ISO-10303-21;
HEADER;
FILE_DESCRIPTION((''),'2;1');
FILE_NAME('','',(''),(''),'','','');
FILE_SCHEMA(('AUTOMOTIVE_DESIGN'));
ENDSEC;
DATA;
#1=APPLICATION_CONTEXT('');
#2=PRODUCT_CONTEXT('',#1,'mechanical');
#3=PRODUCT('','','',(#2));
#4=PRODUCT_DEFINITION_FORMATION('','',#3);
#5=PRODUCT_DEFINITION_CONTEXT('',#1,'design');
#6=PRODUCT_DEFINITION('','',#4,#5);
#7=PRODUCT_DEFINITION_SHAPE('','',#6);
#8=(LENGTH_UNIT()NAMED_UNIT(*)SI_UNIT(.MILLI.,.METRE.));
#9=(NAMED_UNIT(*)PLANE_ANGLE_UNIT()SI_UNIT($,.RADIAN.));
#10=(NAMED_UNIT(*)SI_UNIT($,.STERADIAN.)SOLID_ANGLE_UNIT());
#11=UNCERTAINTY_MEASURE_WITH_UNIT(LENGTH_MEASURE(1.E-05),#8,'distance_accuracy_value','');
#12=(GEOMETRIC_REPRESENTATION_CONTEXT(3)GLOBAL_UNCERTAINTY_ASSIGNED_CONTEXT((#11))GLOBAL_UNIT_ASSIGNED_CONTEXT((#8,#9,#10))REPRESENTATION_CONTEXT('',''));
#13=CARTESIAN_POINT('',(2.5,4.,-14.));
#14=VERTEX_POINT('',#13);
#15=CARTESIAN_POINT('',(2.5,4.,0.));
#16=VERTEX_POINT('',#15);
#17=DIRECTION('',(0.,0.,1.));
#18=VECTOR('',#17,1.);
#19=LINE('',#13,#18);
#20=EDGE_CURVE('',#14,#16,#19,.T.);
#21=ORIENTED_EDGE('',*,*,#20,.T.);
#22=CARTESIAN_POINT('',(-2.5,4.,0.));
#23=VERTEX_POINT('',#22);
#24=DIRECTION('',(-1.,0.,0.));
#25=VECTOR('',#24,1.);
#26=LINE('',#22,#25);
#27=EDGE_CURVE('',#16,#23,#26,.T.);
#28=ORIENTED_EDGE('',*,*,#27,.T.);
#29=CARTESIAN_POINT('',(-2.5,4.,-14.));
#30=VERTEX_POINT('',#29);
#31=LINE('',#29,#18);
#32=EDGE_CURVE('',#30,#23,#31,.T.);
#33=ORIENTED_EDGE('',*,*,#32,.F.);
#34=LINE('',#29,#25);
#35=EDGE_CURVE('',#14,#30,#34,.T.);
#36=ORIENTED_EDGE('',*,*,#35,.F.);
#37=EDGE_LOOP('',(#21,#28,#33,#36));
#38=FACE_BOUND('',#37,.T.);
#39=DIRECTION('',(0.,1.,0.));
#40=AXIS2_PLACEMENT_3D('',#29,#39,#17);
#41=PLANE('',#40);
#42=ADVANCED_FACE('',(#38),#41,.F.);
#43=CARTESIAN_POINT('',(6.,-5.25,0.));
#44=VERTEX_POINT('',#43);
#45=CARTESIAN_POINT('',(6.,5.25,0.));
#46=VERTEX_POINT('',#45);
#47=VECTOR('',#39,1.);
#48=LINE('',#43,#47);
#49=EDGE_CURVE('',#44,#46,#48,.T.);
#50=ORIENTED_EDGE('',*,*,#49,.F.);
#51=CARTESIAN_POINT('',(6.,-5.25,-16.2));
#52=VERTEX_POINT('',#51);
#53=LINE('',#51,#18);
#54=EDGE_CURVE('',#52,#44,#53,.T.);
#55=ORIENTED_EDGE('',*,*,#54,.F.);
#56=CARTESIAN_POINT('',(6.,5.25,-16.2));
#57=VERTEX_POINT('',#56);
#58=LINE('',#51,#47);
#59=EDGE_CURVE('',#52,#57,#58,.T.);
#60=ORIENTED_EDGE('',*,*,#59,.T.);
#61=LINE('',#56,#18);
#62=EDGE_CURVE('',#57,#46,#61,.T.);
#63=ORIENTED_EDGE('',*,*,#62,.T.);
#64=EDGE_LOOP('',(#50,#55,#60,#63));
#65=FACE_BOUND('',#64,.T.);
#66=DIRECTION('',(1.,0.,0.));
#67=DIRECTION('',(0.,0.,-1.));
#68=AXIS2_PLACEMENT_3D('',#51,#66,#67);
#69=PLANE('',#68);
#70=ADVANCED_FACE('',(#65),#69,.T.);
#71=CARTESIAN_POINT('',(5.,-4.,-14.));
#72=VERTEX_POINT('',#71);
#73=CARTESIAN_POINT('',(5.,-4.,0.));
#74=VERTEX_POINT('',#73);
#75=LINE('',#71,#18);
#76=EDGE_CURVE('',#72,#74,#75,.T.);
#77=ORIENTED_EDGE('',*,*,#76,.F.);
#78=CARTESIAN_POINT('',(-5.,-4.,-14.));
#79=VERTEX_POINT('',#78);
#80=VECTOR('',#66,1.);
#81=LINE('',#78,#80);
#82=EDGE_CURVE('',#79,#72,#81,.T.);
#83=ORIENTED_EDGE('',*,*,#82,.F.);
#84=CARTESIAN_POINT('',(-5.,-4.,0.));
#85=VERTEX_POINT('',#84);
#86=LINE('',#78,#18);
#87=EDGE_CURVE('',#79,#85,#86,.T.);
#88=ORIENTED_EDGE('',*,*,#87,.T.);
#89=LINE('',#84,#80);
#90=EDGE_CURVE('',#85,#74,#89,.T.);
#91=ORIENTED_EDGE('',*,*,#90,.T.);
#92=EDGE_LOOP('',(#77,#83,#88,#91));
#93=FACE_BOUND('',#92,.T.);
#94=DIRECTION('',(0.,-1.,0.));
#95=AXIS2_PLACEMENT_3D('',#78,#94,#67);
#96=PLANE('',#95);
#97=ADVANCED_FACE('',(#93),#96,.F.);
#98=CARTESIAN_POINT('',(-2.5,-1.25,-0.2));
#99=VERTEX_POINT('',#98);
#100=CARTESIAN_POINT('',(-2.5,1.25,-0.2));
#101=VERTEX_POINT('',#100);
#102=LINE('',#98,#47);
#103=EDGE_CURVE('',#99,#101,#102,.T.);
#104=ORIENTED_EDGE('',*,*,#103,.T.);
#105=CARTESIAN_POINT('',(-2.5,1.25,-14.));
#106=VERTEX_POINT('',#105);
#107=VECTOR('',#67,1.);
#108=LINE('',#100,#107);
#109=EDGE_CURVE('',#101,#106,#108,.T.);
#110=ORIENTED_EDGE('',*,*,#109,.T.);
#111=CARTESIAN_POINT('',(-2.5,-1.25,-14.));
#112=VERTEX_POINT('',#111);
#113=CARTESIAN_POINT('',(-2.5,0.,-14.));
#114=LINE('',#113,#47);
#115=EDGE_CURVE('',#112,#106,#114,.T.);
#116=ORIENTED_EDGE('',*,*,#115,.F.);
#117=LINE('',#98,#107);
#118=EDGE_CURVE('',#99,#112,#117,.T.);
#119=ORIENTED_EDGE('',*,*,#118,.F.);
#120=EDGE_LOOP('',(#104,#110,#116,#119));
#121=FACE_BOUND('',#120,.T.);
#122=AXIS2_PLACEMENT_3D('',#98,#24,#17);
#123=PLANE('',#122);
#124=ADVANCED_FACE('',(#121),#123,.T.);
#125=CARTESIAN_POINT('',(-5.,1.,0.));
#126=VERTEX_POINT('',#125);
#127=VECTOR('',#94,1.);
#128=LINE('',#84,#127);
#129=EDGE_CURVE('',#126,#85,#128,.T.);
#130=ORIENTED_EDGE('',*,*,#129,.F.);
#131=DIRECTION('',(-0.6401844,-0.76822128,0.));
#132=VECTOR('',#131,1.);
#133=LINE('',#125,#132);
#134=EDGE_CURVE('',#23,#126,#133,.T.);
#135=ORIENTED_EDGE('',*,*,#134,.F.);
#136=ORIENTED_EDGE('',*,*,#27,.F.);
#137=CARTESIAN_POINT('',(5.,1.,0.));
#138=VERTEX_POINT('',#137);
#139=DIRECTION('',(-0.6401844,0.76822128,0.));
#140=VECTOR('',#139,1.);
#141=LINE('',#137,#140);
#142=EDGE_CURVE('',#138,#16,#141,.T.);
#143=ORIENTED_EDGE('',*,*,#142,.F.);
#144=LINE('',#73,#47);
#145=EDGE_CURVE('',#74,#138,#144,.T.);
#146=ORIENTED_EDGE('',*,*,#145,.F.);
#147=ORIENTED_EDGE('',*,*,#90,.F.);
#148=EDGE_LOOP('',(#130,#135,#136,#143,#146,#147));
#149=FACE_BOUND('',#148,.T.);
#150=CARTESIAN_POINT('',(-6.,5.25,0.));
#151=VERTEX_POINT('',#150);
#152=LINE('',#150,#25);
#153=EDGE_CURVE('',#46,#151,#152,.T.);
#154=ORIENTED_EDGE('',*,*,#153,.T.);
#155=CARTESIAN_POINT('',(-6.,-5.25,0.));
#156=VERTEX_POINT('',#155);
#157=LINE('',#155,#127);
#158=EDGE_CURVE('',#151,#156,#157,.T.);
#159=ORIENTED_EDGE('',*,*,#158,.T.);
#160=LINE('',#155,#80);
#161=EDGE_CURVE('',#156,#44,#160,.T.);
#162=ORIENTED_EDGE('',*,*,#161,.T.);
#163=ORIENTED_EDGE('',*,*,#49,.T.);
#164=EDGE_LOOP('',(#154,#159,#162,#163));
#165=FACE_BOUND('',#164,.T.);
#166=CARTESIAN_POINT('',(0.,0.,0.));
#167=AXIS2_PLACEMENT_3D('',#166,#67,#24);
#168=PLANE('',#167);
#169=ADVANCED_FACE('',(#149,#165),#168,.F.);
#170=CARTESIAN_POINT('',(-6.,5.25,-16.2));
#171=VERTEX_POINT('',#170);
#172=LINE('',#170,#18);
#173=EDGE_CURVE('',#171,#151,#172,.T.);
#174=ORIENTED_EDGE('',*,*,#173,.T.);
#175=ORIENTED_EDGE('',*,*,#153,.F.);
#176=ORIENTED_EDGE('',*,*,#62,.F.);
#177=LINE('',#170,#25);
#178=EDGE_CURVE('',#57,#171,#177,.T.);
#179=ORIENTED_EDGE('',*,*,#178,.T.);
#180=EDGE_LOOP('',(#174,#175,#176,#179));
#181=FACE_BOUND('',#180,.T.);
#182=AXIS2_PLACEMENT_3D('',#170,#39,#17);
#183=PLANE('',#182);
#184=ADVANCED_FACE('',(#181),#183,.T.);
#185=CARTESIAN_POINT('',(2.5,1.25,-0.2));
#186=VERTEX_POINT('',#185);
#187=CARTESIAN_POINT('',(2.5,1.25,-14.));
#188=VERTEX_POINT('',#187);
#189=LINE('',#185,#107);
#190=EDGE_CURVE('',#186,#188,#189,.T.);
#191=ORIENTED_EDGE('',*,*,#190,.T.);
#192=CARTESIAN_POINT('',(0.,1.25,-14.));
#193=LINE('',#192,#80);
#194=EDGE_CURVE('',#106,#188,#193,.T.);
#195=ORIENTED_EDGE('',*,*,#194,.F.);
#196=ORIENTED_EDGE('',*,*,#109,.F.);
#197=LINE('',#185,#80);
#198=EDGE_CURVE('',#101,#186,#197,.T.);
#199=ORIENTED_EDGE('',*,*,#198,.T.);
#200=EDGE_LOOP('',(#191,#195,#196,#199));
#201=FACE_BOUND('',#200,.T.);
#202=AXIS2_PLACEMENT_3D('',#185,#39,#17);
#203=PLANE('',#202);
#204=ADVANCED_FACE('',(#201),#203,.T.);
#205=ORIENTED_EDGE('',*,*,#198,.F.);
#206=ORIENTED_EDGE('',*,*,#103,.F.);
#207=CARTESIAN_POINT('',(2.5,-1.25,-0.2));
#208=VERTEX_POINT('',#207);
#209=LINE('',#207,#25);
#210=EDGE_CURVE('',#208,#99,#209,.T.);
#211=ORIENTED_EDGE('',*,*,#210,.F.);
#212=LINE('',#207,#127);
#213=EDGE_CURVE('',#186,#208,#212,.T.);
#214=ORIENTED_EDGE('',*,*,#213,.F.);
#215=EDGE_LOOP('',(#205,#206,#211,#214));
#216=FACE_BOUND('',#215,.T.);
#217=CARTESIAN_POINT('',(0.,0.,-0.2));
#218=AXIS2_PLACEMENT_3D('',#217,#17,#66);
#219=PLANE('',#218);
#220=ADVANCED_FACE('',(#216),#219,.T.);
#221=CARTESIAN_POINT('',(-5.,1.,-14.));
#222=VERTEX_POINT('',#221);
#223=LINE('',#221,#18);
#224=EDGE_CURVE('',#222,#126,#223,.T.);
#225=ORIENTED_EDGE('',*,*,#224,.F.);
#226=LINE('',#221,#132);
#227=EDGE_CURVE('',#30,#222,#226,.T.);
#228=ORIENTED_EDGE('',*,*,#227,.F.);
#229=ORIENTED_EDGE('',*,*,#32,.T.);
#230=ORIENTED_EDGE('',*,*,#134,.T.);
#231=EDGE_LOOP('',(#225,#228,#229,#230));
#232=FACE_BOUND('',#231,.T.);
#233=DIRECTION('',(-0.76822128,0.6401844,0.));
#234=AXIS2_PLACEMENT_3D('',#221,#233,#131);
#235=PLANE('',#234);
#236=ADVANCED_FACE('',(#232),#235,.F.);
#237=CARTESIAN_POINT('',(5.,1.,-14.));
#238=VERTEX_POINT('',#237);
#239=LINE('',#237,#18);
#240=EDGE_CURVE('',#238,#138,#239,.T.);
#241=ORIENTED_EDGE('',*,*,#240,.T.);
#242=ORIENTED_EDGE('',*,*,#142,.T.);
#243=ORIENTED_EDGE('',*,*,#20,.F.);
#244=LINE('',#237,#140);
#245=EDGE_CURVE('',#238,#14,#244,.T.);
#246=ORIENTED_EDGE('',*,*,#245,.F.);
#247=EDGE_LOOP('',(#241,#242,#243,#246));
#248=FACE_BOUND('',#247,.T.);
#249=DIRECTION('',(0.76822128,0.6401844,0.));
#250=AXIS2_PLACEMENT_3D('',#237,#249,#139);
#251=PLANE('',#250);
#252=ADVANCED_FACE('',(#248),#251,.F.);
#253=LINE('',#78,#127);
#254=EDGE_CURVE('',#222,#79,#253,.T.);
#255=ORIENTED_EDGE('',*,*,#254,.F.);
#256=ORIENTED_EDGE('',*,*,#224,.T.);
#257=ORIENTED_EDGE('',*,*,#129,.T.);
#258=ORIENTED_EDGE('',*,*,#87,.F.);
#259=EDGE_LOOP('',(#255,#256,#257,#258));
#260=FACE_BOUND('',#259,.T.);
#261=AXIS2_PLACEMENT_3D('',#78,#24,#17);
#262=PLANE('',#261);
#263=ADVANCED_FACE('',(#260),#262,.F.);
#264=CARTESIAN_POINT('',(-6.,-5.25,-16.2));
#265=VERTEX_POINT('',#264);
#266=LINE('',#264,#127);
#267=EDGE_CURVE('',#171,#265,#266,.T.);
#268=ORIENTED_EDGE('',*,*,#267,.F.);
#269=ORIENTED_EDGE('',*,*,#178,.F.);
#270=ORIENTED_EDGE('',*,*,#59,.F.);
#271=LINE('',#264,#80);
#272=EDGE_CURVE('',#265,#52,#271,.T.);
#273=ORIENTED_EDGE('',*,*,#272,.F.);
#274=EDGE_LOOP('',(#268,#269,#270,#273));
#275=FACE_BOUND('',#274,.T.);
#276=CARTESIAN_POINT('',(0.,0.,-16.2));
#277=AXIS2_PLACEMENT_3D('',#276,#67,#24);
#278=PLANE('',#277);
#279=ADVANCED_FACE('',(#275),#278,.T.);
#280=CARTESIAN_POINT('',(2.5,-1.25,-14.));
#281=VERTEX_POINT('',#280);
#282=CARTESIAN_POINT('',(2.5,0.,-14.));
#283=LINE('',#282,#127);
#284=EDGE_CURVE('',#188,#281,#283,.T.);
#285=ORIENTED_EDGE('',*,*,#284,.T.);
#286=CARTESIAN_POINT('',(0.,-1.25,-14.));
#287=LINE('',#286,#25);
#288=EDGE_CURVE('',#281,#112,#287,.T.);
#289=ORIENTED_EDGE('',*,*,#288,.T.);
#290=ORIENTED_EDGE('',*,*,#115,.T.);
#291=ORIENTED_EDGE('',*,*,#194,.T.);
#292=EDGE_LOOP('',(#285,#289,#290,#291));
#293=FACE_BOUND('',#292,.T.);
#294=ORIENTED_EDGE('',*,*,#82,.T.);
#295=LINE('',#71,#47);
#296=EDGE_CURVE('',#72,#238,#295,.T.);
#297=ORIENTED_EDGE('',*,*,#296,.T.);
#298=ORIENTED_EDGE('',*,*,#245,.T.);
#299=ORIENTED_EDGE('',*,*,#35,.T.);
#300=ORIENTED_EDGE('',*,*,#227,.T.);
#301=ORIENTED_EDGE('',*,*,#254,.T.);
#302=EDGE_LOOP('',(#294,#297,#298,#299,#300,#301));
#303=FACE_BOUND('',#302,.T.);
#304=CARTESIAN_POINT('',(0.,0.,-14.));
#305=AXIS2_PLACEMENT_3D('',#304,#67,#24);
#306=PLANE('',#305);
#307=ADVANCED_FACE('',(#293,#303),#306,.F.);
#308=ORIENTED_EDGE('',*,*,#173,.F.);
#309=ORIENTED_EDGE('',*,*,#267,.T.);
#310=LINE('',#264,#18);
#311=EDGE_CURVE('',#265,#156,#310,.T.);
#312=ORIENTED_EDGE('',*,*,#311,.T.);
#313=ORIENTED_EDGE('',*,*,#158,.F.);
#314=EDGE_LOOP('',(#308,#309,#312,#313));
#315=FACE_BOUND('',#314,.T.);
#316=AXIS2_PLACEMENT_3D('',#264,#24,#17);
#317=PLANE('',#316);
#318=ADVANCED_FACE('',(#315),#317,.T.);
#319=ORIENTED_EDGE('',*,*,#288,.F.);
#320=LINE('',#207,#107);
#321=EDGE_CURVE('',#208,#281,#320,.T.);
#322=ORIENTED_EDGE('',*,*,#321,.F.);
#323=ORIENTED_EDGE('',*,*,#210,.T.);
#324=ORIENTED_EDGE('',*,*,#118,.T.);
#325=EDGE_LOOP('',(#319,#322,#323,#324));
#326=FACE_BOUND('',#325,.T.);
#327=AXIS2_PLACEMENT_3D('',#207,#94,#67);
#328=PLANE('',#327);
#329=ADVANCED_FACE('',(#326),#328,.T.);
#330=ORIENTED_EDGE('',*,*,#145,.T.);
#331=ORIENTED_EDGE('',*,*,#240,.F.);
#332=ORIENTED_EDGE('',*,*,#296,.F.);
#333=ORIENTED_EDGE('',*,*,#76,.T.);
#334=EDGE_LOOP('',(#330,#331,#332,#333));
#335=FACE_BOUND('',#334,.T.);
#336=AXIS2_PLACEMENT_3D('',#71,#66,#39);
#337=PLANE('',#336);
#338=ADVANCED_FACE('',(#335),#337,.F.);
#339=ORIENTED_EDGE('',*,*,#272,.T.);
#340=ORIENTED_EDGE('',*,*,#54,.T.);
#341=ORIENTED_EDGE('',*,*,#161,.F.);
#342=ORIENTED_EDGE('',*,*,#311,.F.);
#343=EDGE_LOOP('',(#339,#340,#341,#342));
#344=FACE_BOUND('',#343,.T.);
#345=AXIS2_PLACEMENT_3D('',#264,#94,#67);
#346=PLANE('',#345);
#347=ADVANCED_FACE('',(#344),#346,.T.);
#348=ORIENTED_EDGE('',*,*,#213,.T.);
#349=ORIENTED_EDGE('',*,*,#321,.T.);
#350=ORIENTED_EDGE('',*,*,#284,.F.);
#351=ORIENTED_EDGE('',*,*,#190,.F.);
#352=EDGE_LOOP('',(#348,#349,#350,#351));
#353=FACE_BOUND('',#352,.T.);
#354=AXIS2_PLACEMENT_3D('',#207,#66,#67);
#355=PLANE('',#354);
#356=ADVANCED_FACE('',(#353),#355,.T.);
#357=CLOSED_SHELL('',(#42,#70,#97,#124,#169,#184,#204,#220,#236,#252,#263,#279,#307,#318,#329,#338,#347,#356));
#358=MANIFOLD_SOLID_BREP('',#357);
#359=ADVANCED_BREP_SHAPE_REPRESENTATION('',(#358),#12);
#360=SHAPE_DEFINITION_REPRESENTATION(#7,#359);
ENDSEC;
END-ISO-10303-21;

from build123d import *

# Parameters (mm, degrees)
ESQUISSE1_W             = 12
ESQUISSE1_H             = 10.5
BOSS_EXTRU_1_DEPTH      = 16.2
ENL_V_MAT_EXTRU_1_DEPTH = 14
ESQUISSE3_W             = 5
ESQUISSE3_H             = 2.5
BOSS_EXTRU_2_DEPTH      = 16


with BuildPart() as part:
    # Esquisse1 → Boss.-Extru.1 (new body)
    with BuildSketch(Plane.XY):
        Rectangle(ESQUISSE1_W, ESQUISSE1_H)
    extrude(amount=-BOSS_EXTRU_1_DEPTH)

    # Esquisse2 → Enlèv. mat.-Extru.1 (cut)
    with BuildSketch(Plane.XY):
        Polygon((-5, 1), (-2.5, 4), (2.5, 4), (5, 1), (5, -4), (-5, -4), align=None)
    extrude(amount=-ENL_V_MAT_EXTRU_1_DEPTH, mode=Mode.SUBTRACT)

    # Esquisse3 → Boss.-Extru.2 (add)
    with BuildSketch(Plane(origin=(0, 0, -16.2), x_dir=(-1, 0, 0), z_dir=(0, 0, -1))):
        Rectangle(ESQUISSE3_W, ESQUISSE3_H)
    extrude(amount=-BOSS_EXTRU_2_DEPTH)


solid = part.part
